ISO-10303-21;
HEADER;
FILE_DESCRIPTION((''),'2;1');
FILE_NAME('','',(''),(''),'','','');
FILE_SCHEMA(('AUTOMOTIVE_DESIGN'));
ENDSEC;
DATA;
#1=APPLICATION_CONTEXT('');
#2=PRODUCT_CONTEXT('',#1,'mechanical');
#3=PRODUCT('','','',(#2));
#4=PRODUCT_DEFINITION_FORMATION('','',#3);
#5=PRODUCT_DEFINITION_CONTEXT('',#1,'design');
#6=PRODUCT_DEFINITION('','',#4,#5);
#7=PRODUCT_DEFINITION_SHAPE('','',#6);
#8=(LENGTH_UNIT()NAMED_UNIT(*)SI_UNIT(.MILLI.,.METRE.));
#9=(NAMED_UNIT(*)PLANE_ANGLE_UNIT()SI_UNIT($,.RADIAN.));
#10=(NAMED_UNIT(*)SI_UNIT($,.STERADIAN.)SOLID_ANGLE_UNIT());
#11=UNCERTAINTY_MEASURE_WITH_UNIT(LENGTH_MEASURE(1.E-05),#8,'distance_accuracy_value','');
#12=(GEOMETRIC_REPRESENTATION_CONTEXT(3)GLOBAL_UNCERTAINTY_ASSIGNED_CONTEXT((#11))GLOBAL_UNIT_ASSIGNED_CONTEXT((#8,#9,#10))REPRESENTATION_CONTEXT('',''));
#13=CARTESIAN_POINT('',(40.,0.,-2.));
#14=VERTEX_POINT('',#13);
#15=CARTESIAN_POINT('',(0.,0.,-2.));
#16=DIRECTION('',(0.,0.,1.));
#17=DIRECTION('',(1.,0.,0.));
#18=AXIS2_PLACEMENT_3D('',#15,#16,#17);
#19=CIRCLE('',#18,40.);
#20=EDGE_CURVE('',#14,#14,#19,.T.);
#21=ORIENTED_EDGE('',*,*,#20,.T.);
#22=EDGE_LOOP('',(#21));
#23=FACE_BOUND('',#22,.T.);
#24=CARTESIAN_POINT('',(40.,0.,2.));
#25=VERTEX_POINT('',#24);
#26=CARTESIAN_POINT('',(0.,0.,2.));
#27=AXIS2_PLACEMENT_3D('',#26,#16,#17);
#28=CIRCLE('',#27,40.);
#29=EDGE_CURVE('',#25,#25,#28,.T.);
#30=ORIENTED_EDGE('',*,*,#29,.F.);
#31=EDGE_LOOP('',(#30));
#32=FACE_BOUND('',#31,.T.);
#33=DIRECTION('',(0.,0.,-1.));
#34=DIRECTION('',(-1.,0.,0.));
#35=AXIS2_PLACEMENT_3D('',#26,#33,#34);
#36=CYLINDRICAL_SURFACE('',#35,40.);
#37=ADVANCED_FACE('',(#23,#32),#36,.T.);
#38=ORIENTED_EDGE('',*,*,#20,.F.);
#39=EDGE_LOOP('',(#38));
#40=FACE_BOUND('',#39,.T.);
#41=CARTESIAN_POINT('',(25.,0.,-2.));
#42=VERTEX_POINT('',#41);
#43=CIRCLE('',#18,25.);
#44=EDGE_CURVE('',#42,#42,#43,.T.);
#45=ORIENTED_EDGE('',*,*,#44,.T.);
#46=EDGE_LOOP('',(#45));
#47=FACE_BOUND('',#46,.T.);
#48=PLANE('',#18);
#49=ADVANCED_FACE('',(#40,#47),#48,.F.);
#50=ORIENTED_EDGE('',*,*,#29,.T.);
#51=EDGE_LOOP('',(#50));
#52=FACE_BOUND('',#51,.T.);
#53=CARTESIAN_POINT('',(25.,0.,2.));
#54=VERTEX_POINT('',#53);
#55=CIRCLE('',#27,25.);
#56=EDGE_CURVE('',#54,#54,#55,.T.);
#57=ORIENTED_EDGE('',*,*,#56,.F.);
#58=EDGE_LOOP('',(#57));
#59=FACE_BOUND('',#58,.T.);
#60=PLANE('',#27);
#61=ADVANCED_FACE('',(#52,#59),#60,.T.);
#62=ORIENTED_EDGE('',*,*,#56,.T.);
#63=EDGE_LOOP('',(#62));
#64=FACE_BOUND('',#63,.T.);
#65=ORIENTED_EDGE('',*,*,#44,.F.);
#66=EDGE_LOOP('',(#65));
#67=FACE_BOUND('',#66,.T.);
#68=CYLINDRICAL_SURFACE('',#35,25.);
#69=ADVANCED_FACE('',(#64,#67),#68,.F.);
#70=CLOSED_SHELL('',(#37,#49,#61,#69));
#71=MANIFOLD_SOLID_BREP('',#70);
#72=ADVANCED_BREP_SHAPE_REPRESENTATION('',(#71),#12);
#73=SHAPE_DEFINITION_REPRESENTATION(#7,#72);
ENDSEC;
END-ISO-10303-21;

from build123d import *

# Parameters (mm, degrees)
ESQUISSE1_R          = 40
ESQUISSE1_R_2        = 25
BASE_EXTRUSION_DEPTH = 2


with BuildPart() as part:
    # Esquisse1 → Base-Extrusion (new, symmetric)
    with BuildSketch(Plane.XY):
        Circle(ESQUISSE1_R)
        Circle(ESQUISSE1_R_2, mode=Mode.SUBTRACT)
    extrude(amount=BASE_EXTRUSION_DEPTH, both=True)


solid = part.part
